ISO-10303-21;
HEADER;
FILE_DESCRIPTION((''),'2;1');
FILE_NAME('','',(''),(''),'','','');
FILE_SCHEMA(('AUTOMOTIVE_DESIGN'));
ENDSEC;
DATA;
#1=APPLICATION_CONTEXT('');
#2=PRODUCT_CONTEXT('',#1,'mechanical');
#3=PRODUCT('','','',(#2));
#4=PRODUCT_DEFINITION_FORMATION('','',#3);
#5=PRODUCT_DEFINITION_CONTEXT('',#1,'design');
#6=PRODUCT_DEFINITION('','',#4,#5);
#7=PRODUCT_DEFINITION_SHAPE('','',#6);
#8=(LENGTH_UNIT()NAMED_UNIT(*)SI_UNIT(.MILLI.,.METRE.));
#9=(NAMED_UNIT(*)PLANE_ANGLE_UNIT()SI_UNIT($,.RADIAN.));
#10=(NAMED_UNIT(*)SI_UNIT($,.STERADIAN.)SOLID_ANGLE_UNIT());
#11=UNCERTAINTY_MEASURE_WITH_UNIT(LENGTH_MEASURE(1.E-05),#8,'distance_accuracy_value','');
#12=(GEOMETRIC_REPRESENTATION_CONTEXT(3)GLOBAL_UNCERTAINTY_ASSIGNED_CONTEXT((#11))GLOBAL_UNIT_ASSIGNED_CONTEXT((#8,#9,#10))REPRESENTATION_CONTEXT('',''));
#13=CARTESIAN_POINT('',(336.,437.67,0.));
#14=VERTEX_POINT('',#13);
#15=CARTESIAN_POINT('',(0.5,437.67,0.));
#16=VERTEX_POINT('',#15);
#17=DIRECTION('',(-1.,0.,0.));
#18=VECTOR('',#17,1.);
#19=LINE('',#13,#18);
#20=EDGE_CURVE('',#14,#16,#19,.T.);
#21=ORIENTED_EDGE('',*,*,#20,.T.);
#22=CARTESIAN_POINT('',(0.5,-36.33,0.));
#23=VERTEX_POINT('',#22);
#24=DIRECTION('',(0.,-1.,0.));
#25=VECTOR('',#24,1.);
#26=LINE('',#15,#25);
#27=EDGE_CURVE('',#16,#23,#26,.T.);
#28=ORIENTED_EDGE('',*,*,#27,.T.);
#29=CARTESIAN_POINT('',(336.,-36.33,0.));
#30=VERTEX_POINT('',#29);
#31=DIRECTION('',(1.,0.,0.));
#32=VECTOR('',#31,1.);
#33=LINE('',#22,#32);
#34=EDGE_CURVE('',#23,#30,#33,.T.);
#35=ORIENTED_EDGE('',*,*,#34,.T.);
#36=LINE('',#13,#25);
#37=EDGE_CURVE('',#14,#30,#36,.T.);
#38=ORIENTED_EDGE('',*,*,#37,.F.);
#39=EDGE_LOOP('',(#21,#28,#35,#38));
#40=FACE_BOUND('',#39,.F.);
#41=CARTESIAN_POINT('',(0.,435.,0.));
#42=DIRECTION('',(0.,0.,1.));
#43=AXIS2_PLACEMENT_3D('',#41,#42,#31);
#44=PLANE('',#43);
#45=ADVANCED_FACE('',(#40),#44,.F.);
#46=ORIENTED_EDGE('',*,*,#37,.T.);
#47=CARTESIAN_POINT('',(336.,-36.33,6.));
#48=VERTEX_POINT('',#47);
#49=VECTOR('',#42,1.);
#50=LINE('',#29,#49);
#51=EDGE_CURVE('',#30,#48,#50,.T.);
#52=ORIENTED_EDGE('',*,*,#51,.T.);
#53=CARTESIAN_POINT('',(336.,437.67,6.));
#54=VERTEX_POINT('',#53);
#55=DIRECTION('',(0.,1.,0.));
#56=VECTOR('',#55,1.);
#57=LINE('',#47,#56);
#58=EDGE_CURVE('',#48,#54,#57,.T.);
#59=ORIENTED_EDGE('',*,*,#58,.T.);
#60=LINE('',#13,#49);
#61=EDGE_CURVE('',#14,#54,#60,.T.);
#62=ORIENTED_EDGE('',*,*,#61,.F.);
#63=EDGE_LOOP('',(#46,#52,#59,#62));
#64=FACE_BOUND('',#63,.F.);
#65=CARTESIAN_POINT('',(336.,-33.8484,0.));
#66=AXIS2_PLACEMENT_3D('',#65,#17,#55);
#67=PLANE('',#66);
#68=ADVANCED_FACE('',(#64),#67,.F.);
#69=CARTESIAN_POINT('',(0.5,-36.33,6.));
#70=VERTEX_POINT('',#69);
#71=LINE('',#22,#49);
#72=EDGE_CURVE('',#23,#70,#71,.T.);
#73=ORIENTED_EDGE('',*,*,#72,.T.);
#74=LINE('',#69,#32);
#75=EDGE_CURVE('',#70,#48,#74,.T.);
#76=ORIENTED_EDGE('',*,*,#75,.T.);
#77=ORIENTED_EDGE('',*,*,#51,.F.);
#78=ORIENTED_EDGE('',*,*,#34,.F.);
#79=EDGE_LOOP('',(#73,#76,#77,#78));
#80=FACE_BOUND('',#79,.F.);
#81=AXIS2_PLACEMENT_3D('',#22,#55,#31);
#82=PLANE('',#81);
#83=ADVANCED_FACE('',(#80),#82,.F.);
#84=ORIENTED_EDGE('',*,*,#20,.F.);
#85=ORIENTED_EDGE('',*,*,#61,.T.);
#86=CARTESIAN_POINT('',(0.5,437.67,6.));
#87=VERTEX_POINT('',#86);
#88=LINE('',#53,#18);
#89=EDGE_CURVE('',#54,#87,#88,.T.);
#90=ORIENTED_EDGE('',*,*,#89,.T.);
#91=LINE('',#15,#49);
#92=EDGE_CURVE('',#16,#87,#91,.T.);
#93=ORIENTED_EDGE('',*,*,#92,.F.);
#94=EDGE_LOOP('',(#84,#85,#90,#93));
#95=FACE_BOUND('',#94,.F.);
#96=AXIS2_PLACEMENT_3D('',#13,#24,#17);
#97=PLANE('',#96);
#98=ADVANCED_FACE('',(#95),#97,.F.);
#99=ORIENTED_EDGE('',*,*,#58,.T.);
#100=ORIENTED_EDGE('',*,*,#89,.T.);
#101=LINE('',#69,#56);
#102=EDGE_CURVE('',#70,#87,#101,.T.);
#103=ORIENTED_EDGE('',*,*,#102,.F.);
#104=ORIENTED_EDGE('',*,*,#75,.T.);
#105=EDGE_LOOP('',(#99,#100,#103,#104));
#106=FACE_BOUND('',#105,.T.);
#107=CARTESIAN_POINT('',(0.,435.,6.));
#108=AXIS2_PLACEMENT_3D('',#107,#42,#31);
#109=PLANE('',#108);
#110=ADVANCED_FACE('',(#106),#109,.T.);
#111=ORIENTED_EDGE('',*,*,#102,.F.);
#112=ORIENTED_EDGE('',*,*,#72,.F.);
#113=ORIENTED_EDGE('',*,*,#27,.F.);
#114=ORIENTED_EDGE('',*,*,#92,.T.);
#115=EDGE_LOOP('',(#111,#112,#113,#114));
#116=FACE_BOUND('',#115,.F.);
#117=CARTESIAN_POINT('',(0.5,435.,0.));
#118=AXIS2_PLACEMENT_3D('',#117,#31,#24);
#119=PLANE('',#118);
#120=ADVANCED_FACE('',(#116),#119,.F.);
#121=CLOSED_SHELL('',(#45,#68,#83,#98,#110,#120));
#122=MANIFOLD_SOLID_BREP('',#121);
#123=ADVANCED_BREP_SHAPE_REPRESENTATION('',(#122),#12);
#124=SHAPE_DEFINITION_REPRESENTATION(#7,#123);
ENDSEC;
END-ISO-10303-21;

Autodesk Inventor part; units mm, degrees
ref_plane "YZ Plane" through (0, 0, 0) normal (1, 0, 0) x (0, 1, 0)
ref_plane "XZ Plane" through (0, 0, 0) normal (0, 1, 0) x (-1, 0, 0)
ref_plane "XY Plane" through (0, 0, 0) normal (0, 0, 1) x (1, 0, 0)
ref_plane "Work Plane1" through (0, 435, 0) normal (0, 0, 1) x (1, 0, 0)
sketch "Sketch1" plane through (0, 435, 0) normal (0, 0, 1) x (1, 0, 0)
  line L0 (0, -468.8484) -> (336.5, -468.8484) projected
  line L1 (0, 0) -> (336.5, 0) projected
  line L2 (0, -471.83) -> (336.5, -471.83) projected
  line L3 (0, 3.17) -> (336.5, 3.17) projected
  line L4 (336.5, 3.17) -> (0, 3.17)
  line L5 (0, 3.17) -> (0, -471.83)
  line L6 (0, -471.83) -> (336.5, -471.83)
  line L7 (336.5, -471.83) -> (336.5, 3.17)
  line L8 (336, 2.67) -> (0.5, 2.67)
  line L9 (0.5, 2.67) -> (0.5, -471.33)
  line L10 (0.5, -471.33) -> (336, -471.33)
  line L11 (336, -471.33) -> (336, 2.67)
  point P0 (0, -435)
  point P1 (336, -468.8484)
  point P2 (336, 0)
  point P3 (0.5, 0)
  point P4 (0.5, -468.8484)
  dimension "d0" = 0.5
extrude "Extrusion1" add sketch "Sketch1" along normal blind 6 contours L9 L1 L11 L0 | L0 L11 L10 L9 | L9 L8 L11 L1
properties part number "TOOLPLATE"
